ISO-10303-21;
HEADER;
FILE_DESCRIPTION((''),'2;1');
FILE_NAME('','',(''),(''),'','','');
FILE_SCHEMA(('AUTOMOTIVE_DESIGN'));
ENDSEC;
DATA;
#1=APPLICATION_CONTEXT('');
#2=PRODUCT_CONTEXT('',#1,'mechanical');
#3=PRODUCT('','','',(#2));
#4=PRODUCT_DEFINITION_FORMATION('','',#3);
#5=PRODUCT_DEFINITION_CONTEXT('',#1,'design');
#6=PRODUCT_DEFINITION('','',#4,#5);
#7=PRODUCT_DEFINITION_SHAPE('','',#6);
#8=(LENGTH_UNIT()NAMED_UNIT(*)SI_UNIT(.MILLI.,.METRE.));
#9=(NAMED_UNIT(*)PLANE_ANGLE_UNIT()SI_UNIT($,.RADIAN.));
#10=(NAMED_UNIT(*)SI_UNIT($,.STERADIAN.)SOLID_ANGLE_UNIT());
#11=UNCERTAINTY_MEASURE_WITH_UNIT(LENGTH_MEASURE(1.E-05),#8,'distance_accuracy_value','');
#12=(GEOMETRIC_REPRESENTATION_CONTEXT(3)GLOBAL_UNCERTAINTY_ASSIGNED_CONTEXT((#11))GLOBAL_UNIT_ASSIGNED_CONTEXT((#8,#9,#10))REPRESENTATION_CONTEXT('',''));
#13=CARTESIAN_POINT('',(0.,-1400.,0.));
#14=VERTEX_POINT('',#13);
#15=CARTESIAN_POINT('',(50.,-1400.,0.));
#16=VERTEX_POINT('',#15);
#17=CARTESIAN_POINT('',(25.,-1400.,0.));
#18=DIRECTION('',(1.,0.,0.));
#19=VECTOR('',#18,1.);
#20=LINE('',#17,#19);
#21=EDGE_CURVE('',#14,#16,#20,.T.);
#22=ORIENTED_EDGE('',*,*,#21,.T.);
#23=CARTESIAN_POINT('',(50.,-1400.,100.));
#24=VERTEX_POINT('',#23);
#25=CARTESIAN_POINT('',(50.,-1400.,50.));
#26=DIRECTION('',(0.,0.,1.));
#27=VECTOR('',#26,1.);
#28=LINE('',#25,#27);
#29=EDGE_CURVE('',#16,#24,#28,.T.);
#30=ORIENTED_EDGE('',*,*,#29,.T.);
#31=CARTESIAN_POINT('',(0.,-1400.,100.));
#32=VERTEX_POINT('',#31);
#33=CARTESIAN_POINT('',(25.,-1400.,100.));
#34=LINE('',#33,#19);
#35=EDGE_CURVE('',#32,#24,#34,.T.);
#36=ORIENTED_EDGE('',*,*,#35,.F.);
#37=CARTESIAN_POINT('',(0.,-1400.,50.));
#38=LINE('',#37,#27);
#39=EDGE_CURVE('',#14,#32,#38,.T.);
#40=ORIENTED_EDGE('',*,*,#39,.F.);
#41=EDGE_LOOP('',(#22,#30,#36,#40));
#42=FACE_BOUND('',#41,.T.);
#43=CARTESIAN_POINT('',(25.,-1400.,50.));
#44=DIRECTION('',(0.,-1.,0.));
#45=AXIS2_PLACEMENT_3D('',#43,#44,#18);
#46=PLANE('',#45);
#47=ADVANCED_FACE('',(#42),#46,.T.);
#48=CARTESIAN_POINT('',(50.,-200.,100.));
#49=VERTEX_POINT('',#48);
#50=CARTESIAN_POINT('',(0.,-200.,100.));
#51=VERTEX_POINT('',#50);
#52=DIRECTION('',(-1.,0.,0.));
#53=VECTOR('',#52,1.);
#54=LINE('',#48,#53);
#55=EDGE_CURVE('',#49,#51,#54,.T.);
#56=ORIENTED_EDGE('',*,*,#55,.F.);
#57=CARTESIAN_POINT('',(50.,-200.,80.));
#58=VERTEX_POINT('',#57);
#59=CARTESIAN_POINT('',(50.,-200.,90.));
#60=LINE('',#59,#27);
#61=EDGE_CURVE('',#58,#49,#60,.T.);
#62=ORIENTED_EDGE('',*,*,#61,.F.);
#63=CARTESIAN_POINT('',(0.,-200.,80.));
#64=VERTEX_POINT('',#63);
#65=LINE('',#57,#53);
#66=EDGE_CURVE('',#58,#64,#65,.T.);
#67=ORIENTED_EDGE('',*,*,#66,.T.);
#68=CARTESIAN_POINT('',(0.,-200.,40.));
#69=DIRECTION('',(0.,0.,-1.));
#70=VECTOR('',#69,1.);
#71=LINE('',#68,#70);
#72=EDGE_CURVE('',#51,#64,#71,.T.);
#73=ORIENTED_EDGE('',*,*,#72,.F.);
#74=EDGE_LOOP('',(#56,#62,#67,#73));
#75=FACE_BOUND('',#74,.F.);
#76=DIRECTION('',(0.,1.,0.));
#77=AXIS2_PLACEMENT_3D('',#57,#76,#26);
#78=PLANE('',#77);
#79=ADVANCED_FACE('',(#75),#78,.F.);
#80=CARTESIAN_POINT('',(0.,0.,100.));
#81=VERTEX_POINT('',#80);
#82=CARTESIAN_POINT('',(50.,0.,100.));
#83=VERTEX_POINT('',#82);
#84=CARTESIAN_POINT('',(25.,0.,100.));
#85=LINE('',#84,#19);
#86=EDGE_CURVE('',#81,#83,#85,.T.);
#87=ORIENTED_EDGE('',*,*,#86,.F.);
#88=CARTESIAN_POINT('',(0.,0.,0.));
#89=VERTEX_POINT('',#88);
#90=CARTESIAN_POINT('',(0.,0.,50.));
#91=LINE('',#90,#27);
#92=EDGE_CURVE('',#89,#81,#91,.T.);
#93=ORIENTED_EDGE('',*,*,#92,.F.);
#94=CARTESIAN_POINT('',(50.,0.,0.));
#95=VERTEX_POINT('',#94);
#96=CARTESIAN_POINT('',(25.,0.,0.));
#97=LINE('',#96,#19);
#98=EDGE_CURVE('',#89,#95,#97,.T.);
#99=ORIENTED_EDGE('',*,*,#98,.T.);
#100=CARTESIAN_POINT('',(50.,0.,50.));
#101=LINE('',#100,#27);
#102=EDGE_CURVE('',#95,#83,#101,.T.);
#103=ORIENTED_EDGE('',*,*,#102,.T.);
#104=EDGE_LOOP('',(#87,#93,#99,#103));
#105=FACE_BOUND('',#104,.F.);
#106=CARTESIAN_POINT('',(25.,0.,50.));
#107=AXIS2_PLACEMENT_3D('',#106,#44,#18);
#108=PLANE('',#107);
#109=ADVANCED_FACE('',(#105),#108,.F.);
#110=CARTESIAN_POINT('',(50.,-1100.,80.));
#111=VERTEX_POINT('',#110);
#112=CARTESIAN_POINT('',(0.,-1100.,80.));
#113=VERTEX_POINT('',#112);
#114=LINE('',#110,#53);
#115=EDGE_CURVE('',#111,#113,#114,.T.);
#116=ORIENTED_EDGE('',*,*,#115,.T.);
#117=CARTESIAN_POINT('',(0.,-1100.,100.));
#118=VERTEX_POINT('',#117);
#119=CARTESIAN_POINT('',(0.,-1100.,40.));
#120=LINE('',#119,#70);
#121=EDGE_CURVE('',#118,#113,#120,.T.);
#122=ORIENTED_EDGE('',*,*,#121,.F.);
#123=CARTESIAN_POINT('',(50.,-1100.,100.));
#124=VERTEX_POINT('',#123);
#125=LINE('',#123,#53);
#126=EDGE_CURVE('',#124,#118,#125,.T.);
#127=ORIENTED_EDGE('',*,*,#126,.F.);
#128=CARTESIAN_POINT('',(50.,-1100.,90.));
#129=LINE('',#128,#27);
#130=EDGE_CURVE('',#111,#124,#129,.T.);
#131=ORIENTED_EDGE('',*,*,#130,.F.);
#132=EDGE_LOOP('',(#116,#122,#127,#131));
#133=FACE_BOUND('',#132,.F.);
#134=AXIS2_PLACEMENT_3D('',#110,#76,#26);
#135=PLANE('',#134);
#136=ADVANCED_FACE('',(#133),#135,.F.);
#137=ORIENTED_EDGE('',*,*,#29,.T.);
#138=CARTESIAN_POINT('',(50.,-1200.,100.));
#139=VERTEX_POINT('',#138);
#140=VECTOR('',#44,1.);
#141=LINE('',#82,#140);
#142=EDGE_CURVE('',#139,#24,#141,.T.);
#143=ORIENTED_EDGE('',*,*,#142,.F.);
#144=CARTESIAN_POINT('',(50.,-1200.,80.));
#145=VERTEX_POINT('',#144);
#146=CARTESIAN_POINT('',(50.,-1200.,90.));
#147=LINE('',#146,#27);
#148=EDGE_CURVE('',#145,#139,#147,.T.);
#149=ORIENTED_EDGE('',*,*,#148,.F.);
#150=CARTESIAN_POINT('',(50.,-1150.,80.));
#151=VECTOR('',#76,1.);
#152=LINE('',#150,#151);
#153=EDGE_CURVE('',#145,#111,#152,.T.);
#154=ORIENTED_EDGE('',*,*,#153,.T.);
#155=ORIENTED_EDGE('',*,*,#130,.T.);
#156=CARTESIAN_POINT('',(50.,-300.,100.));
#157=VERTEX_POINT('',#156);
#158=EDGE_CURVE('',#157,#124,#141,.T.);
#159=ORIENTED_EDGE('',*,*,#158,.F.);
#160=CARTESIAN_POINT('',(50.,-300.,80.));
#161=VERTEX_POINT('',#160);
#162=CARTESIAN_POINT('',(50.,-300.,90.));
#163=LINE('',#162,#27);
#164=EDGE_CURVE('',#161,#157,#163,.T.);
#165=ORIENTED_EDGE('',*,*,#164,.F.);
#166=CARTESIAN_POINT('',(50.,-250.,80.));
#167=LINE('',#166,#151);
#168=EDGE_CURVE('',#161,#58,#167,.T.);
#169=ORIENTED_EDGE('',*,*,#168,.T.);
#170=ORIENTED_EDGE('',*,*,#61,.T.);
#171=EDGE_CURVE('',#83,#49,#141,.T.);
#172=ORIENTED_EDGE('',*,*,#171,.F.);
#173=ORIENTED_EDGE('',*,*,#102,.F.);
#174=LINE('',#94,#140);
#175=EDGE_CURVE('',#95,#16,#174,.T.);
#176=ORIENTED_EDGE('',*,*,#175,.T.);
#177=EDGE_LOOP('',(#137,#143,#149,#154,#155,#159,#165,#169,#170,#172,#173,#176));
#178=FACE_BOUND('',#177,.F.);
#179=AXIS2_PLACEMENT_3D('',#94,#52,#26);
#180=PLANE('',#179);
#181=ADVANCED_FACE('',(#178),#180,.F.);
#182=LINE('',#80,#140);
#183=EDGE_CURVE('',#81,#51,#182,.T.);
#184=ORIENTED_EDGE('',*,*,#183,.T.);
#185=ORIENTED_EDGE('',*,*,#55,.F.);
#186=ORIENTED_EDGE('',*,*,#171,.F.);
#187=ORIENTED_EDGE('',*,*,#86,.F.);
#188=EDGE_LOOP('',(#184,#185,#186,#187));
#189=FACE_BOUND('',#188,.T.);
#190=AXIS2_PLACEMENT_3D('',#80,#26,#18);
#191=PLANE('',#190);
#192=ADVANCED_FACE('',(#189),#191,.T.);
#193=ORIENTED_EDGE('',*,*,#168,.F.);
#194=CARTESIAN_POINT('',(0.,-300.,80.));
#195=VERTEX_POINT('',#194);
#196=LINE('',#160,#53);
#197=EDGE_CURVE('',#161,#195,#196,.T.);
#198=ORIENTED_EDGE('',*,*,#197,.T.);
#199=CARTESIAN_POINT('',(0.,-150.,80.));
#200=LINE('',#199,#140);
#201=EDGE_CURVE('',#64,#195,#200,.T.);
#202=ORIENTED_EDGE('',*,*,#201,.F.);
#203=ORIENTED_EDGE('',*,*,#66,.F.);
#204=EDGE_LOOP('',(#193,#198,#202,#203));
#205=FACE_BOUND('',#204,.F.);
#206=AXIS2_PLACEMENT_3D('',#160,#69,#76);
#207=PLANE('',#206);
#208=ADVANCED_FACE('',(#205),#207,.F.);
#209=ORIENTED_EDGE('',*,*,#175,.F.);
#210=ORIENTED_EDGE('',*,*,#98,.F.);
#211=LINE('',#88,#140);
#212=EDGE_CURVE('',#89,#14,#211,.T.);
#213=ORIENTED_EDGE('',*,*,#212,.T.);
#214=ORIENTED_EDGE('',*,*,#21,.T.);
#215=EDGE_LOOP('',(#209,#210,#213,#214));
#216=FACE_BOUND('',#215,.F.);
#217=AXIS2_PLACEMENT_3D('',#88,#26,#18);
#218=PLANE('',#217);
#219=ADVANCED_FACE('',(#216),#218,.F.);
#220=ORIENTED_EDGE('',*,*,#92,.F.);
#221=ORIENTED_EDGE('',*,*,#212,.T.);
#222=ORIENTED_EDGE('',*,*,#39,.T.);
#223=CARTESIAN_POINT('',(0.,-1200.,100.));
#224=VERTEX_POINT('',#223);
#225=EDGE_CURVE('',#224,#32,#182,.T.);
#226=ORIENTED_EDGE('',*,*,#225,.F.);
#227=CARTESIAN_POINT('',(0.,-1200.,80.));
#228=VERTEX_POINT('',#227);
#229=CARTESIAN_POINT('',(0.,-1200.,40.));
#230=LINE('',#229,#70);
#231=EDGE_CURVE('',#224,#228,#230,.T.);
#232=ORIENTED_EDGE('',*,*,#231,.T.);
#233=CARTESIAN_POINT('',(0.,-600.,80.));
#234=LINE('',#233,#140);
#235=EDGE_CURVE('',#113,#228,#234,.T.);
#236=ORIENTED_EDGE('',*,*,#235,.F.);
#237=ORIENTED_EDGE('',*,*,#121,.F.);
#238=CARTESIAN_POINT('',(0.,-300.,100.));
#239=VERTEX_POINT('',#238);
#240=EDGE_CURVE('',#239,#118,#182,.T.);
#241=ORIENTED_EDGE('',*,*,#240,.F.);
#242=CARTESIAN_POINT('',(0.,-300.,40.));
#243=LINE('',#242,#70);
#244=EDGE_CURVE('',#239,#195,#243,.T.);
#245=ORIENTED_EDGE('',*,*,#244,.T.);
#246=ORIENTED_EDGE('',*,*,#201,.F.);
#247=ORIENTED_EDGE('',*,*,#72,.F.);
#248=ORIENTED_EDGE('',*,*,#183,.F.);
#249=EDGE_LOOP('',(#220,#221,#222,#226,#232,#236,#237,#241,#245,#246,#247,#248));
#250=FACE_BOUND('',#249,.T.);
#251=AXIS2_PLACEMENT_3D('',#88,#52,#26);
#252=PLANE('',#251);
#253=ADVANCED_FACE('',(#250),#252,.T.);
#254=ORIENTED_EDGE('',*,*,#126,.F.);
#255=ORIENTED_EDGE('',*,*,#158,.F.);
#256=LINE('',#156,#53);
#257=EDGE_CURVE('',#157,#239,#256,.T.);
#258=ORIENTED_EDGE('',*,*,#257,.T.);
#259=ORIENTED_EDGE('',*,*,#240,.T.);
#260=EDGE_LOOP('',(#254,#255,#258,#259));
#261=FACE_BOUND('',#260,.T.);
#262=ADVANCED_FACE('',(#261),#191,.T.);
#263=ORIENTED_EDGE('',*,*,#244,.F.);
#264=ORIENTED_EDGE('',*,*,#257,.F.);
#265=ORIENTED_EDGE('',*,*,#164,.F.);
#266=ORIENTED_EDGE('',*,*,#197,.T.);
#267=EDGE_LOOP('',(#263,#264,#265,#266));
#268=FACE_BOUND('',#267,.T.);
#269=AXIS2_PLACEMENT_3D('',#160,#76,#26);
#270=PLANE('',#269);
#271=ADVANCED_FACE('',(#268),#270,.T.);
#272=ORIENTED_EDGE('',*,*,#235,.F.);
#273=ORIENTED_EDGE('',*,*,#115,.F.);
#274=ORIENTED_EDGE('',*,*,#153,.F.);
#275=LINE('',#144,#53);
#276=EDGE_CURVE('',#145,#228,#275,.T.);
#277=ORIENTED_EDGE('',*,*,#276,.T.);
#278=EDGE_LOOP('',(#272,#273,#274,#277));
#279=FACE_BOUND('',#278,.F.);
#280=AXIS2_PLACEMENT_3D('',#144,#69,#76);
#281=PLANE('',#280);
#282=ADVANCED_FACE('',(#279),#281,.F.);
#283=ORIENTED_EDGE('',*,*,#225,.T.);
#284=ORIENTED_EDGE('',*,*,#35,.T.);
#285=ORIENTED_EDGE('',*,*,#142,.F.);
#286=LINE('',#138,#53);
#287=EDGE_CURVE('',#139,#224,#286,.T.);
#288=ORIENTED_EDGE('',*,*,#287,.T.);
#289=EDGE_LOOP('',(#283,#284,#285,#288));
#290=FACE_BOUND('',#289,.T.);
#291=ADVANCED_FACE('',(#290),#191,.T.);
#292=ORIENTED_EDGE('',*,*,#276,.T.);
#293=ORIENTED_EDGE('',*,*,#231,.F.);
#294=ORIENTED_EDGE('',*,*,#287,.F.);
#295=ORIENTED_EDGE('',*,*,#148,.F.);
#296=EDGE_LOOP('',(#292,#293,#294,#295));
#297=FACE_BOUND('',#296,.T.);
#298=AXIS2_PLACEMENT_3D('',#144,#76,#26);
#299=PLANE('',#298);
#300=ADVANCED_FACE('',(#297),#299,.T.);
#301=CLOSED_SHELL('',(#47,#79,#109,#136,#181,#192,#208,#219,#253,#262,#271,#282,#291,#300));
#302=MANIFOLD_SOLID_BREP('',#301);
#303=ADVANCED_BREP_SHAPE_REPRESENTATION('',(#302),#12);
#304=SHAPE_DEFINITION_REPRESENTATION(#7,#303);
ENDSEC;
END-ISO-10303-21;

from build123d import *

# Parameters (mm, degrees)
F0_W     = 50
F0_H     = 100
F1_DEPTH = 1400
F2_W     = 100
F2_H     = 20
F3_DEPTH = 50.001


with BuildPart() as f1:
    # F0 (on Front) → F1 (new body)
    with BuildSketch(Plane.XZ):
        with Locations((25, 50)):
            Rectangle(F0_W, F0_H)
    extrude(amount=F1_DEPTH)

    # F2 (on face) → F3 (cut, through all)
    with BuildSketch(Plane.YZ.offset(50)):
        with Locations((-250, 90)):
            Rectangle(F2_W, F2_H)
        with Locations((-1150, 90)):
            Rectangle(F2_W, F2_H)
    extrude(amount=-F3_DEPTH, mode=Mode.SUBTRACT)


solid = f1.part
